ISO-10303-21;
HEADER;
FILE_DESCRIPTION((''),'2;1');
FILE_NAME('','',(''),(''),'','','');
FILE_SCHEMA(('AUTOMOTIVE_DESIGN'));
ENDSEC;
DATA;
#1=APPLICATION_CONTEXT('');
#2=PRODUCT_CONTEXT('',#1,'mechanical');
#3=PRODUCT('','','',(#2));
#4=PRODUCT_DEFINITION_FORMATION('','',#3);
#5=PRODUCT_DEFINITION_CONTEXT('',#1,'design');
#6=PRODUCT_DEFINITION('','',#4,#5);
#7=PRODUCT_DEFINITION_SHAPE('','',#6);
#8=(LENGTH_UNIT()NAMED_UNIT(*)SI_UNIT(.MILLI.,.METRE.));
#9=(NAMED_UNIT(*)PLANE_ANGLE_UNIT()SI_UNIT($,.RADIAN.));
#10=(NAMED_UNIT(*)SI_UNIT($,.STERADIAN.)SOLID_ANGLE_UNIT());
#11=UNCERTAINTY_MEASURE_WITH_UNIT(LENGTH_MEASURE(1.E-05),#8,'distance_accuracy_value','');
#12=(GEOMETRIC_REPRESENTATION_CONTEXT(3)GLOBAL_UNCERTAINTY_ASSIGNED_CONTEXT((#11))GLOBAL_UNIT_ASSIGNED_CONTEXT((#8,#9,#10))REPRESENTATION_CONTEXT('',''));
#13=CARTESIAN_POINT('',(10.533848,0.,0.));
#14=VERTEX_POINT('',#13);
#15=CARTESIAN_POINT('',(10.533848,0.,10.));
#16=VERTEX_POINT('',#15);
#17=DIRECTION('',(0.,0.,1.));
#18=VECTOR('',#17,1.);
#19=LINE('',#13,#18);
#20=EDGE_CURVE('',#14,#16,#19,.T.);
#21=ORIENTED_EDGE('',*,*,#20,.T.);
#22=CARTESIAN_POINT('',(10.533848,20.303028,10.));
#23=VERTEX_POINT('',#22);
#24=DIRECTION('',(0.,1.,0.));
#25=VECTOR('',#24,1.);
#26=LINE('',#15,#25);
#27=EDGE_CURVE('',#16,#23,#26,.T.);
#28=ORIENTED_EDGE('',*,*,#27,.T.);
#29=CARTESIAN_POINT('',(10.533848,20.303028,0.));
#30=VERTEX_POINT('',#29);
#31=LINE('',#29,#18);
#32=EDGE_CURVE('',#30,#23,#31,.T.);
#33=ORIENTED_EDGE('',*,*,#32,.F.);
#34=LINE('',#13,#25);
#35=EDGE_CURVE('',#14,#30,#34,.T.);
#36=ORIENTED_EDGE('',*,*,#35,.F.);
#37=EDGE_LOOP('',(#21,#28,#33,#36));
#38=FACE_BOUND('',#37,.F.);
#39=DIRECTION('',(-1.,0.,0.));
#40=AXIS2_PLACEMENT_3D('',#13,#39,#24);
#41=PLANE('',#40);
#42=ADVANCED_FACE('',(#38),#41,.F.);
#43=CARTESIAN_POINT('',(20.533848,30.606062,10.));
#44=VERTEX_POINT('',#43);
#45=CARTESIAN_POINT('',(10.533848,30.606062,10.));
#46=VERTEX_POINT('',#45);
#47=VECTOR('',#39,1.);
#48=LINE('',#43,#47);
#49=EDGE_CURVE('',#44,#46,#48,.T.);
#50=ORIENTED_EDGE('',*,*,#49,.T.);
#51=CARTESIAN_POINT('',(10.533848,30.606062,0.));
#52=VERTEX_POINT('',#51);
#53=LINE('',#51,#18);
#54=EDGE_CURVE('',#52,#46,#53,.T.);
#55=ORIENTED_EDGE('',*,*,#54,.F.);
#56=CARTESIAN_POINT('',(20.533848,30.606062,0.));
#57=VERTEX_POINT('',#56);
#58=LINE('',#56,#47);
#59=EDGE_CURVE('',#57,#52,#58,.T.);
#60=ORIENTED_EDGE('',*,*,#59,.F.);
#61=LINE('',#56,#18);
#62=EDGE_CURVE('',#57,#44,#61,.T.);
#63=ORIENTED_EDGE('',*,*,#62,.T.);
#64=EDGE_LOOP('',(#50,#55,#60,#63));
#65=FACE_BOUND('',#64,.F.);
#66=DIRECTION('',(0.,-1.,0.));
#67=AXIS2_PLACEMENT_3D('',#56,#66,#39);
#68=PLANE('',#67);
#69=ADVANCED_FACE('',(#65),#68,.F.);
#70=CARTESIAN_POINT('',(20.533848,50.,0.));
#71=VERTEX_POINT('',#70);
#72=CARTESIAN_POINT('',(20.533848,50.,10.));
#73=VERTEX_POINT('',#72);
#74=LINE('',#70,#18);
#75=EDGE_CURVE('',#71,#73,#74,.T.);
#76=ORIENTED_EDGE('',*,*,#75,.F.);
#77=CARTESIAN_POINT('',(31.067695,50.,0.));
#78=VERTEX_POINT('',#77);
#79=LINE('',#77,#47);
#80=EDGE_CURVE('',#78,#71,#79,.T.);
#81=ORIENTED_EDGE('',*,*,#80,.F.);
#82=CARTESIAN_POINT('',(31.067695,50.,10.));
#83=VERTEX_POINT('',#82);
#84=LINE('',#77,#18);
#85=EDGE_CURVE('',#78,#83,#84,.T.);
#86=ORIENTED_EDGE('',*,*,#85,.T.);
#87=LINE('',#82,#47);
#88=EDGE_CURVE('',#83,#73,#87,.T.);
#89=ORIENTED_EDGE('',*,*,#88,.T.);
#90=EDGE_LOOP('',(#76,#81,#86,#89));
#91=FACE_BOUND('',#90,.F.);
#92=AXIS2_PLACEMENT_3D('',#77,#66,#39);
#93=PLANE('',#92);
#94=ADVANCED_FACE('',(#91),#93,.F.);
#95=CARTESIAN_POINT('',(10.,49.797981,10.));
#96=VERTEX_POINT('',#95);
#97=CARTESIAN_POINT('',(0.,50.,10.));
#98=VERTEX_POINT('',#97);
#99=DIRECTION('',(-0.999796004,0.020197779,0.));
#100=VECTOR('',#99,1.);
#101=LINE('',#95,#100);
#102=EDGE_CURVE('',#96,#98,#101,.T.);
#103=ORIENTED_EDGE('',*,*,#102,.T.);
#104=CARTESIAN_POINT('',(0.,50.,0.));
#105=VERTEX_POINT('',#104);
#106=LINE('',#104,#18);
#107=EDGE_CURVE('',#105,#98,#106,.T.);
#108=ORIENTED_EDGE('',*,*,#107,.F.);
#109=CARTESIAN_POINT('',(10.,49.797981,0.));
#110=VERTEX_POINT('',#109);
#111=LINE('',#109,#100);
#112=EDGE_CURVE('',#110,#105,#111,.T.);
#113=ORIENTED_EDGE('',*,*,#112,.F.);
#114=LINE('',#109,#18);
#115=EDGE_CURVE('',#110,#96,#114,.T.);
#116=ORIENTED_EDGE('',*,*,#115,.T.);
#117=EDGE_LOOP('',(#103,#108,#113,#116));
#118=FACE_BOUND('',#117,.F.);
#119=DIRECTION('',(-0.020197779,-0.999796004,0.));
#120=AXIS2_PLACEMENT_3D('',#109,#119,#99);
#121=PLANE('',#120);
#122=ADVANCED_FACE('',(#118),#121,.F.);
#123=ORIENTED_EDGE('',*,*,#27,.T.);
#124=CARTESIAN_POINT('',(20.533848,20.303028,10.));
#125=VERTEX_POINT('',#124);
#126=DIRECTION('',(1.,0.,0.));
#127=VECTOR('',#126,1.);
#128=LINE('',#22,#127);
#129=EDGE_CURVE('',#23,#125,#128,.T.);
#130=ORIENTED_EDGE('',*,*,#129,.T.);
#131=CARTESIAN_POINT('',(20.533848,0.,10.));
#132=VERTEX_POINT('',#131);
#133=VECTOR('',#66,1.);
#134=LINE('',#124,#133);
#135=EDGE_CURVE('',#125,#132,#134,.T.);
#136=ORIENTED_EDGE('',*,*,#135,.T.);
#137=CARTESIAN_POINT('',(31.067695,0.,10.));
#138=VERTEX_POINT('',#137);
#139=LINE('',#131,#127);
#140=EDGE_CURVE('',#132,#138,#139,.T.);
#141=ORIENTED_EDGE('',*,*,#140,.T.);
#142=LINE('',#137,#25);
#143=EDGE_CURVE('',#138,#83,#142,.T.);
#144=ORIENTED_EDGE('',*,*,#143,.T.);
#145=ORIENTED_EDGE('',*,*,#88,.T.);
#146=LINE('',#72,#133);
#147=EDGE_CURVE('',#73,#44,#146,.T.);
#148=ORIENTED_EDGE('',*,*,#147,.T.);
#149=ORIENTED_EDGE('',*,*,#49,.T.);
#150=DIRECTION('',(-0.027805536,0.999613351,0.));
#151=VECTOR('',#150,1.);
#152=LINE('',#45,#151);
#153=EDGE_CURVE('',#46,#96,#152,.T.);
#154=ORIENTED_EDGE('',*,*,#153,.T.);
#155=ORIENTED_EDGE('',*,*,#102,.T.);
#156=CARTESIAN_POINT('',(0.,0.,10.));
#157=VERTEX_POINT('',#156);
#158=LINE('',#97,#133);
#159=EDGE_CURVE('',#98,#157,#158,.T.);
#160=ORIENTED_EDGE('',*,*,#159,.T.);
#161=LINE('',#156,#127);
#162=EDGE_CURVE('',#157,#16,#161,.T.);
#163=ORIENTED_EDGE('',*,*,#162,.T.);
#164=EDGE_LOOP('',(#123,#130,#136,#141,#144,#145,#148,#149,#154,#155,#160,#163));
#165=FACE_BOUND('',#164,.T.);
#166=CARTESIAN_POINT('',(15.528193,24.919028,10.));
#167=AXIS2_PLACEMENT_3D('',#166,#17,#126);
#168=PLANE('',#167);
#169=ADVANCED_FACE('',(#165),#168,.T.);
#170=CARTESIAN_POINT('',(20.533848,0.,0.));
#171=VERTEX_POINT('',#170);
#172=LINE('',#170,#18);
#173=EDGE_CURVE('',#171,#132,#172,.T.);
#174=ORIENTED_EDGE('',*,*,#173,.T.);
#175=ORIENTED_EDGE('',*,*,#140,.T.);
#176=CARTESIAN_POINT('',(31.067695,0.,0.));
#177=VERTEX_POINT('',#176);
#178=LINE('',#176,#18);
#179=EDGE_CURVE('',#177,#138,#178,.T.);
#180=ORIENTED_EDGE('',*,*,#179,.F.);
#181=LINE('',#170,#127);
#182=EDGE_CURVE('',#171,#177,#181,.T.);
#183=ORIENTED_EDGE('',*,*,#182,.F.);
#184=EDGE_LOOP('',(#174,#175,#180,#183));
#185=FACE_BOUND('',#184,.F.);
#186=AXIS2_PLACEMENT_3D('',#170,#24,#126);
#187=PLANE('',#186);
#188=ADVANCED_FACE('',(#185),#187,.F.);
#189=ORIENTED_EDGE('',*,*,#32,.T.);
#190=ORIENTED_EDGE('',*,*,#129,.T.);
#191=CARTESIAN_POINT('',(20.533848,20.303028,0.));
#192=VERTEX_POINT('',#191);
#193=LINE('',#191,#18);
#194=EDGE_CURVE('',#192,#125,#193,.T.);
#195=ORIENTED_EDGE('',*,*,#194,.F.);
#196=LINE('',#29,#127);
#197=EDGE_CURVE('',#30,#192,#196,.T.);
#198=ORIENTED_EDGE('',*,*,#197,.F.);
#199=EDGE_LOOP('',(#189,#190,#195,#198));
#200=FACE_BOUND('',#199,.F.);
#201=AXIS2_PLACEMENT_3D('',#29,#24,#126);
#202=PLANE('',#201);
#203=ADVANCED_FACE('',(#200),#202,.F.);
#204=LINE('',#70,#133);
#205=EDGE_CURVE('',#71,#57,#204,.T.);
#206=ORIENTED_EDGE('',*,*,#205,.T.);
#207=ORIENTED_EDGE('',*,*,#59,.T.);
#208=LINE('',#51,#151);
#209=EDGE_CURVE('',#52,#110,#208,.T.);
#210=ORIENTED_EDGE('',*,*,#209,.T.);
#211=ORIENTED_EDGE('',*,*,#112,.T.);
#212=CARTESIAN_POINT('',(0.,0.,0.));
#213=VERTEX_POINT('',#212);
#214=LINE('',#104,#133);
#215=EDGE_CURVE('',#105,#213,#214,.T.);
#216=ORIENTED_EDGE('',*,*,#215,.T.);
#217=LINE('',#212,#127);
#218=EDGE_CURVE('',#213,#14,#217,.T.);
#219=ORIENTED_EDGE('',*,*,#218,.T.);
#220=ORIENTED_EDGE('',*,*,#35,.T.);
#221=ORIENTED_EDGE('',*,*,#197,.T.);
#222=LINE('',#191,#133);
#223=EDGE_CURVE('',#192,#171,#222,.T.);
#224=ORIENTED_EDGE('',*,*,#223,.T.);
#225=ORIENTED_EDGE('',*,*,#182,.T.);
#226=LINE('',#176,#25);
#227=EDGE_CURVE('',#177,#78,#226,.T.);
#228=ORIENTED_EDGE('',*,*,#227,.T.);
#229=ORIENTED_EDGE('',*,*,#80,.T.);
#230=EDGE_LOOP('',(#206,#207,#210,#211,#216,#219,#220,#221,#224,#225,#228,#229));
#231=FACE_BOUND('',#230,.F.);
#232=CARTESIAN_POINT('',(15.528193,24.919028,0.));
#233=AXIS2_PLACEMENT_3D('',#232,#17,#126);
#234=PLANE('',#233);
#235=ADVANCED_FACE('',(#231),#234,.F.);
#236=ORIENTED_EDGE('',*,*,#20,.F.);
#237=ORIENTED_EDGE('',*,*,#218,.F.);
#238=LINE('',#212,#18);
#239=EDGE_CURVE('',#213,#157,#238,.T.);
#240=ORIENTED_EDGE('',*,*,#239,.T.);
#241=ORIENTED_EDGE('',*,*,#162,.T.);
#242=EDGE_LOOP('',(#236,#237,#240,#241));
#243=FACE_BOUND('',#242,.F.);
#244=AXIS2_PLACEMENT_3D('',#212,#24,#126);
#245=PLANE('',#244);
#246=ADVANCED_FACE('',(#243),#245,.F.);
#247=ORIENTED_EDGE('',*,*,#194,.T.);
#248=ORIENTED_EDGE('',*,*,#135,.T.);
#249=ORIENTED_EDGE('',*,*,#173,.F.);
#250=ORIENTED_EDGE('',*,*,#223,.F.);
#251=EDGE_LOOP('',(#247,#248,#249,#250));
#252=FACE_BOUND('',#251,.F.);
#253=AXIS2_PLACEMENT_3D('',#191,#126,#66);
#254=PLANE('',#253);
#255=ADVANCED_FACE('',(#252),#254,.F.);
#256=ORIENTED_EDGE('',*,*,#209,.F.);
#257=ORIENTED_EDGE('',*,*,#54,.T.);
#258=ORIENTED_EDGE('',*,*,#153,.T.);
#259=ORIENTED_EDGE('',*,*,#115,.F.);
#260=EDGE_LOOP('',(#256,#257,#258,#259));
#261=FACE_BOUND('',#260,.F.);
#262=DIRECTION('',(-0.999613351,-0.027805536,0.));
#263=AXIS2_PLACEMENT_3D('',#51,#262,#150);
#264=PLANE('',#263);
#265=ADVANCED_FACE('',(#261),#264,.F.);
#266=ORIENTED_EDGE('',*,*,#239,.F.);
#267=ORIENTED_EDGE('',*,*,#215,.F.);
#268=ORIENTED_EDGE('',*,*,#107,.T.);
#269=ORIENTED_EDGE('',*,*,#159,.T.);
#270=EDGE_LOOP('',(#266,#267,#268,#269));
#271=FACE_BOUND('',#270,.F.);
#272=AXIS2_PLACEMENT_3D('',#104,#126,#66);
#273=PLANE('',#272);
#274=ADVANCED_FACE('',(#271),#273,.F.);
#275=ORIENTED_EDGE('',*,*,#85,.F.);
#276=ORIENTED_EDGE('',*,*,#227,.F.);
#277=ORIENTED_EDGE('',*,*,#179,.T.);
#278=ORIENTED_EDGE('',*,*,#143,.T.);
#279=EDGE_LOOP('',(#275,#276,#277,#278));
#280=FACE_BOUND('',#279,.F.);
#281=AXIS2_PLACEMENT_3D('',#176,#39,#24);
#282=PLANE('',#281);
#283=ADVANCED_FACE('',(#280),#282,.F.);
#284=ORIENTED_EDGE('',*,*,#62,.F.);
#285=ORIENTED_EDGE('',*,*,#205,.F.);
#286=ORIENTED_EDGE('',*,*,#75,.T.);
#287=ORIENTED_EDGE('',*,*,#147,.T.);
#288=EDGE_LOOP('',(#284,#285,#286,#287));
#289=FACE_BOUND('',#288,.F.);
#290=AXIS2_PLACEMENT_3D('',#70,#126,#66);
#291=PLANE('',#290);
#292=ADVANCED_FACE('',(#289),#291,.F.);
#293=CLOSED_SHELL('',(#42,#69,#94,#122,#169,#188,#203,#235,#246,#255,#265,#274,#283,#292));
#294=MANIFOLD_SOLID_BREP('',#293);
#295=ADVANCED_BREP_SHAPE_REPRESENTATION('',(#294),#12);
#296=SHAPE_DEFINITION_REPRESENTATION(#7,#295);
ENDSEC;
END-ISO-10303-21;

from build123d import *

# Parameters (mm, degrees)
PAD_DEPTH = 10


with BuildPart() as part:
    # Sketch → Pad (new body)
    with BuildSketch(Plane.XY):
        Polygon((0, 50), (0, 0), (10.533848, 0), (10.533848, 20.303028), (20.533848, 20.303028), (20.533848, 0), (31.067695, 0), (31.067695, 50), (20.533848, 50), (20.533848, 30.606062), (10.533848, 30.606062), (10, 49.797981), align=None)
    extrude(amount=PAD_DEPTH)


solid = part.part
